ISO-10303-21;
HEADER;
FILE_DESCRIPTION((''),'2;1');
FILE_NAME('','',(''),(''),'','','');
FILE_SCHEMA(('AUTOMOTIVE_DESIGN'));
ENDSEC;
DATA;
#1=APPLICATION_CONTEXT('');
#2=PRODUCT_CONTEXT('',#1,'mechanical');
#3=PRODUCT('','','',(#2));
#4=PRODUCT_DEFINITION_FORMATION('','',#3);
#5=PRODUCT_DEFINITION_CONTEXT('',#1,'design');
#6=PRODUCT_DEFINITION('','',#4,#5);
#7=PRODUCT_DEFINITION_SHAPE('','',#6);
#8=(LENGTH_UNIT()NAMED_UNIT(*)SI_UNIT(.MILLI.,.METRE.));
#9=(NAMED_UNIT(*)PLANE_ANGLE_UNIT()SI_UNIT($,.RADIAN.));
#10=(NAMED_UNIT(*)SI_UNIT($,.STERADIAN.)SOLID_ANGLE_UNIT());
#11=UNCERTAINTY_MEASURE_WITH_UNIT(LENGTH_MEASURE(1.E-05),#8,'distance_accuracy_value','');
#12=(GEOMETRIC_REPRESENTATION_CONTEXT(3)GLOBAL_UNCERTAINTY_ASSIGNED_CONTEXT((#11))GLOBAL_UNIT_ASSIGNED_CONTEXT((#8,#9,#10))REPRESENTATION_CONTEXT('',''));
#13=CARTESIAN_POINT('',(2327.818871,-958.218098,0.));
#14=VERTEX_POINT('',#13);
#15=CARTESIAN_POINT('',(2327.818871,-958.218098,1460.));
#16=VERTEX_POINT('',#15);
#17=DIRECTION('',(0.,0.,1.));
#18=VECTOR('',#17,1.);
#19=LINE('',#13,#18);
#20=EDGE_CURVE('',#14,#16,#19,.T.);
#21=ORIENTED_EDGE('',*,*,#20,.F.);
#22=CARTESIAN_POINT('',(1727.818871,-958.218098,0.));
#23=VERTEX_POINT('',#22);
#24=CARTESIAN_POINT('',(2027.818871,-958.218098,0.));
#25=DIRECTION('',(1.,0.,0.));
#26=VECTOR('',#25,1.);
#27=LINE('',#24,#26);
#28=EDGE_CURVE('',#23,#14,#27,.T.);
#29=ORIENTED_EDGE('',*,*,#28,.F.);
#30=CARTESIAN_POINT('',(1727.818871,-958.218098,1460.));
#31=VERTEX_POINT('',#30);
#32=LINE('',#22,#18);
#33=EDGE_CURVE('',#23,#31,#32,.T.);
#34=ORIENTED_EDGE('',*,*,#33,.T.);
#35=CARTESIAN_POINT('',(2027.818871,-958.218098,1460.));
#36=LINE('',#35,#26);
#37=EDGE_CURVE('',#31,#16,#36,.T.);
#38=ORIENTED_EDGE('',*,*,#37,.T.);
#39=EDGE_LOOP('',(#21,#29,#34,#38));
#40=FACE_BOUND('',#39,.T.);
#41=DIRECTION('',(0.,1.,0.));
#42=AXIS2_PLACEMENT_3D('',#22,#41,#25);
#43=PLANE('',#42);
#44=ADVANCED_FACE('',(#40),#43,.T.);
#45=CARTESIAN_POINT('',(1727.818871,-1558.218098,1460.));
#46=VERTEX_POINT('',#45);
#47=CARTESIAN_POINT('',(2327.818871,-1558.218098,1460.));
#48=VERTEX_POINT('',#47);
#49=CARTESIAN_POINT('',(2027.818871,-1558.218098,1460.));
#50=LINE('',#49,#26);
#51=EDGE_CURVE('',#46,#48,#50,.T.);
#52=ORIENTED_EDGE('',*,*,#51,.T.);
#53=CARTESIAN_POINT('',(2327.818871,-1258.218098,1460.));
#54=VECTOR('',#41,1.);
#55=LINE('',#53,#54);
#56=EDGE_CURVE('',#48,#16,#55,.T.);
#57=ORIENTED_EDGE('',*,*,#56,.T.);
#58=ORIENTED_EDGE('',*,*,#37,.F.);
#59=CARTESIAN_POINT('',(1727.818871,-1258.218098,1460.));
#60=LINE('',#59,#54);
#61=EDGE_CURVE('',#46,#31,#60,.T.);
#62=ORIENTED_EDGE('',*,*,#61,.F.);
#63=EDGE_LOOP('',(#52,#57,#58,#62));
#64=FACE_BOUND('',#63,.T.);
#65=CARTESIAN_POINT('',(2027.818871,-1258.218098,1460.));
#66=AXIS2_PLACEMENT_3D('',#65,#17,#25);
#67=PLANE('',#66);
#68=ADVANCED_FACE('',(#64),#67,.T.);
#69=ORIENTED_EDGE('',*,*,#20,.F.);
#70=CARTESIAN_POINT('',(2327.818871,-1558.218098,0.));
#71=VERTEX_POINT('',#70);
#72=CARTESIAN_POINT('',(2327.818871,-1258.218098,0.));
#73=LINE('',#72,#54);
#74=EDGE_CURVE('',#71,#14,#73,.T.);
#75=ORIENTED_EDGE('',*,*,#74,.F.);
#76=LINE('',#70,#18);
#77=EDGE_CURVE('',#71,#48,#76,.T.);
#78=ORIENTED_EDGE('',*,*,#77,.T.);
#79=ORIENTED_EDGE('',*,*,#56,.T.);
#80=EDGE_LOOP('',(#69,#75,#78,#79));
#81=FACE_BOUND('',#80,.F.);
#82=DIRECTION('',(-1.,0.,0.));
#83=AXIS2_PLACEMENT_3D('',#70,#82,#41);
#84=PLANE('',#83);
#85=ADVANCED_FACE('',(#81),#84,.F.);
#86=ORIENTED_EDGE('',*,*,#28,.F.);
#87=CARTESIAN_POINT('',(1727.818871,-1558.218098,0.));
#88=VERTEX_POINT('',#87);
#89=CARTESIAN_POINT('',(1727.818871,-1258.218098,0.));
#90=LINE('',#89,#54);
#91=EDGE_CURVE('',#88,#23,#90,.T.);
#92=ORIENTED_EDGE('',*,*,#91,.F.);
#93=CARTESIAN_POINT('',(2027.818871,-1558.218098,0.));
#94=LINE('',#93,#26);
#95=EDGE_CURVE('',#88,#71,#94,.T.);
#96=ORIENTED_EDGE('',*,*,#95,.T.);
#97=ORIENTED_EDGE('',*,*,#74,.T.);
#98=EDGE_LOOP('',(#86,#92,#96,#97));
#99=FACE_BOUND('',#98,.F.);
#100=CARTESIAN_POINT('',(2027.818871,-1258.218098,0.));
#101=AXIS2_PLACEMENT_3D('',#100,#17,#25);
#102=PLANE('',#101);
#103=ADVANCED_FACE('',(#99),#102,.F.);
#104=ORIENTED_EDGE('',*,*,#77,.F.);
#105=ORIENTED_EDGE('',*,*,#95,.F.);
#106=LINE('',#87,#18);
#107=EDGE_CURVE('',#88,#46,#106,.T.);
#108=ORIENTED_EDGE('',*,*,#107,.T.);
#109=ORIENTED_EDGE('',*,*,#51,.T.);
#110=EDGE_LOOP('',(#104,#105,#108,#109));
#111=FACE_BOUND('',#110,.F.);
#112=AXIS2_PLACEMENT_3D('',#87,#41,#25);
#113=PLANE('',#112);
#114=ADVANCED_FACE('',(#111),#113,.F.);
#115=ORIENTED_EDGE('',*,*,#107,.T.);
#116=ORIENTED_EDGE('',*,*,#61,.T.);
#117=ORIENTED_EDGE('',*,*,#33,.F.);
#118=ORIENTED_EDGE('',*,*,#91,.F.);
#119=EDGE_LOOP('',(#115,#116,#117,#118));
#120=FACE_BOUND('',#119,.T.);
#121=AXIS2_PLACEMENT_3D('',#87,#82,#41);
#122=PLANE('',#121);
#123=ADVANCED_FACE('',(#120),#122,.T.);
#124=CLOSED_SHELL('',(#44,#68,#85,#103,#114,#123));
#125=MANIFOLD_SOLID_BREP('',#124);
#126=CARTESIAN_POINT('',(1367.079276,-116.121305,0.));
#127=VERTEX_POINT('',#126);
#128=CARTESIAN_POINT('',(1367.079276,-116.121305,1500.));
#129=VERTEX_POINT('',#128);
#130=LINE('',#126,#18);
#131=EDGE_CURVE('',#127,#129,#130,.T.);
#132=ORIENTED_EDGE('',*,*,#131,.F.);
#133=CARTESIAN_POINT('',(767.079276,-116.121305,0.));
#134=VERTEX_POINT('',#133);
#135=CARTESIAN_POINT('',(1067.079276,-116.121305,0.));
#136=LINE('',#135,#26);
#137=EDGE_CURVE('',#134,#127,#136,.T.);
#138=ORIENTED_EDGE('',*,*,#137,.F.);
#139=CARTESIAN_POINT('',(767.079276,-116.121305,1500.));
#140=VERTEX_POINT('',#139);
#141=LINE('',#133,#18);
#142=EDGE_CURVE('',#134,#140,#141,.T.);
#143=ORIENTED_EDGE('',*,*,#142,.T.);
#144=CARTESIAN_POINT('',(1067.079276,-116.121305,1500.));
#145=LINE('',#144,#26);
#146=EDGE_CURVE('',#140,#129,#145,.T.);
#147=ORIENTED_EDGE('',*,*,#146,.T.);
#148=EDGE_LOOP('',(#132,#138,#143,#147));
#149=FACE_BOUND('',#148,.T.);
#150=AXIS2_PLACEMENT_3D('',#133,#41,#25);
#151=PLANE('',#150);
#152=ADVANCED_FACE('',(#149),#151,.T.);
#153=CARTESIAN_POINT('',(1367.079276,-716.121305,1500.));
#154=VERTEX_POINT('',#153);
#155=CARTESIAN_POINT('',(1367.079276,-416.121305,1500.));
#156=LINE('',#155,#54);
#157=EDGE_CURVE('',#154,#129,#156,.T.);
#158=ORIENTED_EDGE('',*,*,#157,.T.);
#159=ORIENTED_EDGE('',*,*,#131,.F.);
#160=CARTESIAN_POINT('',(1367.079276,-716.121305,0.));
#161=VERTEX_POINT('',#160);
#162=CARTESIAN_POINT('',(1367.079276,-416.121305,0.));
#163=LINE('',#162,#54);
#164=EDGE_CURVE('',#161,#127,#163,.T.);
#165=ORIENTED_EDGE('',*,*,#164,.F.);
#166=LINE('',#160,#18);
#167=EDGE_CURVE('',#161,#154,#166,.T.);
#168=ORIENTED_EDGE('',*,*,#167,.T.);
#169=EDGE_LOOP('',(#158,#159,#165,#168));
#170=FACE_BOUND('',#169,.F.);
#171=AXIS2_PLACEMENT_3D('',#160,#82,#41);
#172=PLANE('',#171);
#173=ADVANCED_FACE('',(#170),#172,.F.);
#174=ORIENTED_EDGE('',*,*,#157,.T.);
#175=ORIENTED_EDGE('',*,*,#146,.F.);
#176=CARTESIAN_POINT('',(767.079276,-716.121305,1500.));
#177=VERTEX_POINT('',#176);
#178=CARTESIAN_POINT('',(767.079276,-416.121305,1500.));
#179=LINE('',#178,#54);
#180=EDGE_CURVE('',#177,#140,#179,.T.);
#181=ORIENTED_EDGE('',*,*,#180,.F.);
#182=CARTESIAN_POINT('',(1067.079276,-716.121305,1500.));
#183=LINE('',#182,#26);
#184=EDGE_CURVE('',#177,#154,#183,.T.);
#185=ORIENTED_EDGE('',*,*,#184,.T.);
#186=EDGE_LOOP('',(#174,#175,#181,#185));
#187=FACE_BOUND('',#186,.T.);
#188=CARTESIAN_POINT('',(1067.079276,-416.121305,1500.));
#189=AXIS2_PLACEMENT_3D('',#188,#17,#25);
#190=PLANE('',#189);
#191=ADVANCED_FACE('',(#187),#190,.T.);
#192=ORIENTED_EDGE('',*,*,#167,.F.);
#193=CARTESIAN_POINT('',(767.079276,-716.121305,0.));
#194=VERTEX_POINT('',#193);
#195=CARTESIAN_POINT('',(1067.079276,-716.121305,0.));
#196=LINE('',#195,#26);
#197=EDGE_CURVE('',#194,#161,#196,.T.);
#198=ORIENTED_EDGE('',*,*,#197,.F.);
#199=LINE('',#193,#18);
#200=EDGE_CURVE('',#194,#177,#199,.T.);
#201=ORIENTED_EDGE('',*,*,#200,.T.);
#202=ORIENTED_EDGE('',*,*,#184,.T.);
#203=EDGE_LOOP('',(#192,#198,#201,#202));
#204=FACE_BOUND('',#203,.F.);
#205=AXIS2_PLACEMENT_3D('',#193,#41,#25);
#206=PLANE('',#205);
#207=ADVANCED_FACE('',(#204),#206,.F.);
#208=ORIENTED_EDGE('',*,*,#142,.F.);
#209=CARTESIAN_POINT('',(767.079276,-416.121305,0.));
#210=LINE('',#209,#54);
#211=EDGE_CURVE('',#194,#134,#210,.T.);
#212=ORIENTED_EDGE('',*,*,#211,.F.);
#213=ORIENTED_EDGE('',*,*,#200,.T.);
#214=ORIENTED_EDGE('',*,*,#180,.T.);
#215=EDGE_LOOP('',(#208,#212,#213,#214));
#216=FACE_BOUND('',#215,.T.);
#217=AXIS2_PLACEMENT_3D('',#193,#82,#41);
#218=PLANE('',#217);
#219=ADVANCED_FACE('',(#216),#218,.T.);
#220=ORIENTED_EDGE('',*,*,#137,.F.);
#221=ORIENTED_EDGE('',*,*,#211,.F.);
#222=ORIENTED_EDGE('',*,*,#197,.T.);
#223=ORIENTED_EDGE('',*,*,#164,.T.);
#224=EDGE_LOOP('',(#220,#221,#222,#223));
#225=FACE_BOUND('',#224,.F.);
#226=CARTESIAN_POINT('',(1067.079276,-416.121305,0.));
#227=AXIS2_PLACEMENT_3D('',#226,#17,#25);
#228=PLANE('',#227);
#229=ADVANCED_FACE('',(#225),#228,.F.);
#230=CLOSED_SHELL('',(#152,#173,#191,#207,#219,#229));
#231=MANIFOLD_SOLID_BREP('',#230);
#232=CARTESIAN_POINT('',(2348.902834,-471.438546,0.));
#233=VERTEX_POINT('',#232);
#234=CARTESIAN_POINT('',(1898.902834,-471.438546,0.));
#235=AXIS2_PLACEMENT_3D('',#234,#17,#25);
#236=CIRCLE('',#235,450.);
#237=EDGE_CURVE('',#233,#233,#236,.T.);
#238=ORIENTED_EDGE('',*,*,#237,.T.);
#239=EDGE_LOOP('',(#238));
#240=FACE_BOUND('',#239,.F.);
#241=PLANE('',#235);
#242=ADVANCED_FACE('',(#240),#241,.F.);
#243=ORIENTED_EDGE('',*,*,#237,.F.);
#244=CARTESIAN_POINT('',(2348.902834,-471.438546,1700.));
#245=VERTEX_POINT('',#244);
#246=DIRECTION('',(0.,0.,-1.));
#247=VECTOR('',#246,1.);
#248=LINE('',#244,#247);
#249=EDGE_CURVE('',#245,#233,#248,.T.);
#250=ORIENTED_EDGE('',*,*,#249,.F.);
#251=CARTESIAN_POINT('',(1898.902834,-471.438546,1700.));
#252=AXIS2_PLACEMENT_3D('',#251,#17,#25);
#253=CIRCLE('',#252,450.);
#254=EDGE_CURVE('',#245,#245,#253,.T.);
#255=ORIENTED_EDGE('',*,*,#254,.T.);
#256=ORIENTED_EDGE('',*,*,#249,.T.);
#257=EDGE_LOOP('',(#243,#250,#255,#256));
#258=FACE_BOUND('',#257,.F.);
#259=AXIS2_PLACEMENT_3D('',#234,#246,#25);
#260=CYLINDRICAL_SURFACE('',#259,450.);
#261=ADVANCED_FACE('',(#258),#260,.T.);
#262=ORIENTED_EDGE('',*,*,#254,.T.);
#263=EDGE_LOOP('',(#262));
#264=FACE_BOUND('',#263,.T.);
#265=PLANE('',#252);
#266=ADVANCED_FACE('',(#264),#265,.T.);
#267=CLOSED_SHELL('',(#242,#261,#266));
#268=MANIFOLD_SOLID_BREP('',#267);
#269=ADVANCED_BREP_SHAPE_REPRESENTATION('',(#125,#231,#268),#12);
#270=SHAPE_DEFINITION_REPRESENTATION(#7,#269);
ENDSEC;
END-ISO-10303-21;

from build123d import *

# Parameters (mm, degrees)
F3_W     = 600
F3_H     = 600
F4_DEPTH = 1500
F1_R     = 450
F5_DEPTH = 1700
F1_W     = 600
F1_H     = 600
F6_DEPTH = 1460


with BuildPart() as f4:
    # F3 (on face) → F4 (new body)
    with BuildSketch(Plane.XY):
        with Locations((1067.079276, -416.121305)):
            Rectangle(F3_W, F3_H)
    extrude(amount=F4_DEPTH)


with BuildPart() as f5:
    # F1 (on Top) → F5 (new body)
    with BuildSketch(Plane.XY):
        with Locations((1898.902834, -471.438546)):
            Circle(F1_R)
    extrude(amount=F5_DEPTH)

    # F1 (on Top) → F6 (join)
    with BuildSketch(Plane.XY):
        with Locations((1898.902834, -471.438546)):
            Circle(F1_R)
        with Locations((2027.818871, -1258.218098)):
            Rectangle(F1_W, F1_H)
    extrude(amount=F6_DEPTH)


solid = Compound([f4.part, f5.part])
